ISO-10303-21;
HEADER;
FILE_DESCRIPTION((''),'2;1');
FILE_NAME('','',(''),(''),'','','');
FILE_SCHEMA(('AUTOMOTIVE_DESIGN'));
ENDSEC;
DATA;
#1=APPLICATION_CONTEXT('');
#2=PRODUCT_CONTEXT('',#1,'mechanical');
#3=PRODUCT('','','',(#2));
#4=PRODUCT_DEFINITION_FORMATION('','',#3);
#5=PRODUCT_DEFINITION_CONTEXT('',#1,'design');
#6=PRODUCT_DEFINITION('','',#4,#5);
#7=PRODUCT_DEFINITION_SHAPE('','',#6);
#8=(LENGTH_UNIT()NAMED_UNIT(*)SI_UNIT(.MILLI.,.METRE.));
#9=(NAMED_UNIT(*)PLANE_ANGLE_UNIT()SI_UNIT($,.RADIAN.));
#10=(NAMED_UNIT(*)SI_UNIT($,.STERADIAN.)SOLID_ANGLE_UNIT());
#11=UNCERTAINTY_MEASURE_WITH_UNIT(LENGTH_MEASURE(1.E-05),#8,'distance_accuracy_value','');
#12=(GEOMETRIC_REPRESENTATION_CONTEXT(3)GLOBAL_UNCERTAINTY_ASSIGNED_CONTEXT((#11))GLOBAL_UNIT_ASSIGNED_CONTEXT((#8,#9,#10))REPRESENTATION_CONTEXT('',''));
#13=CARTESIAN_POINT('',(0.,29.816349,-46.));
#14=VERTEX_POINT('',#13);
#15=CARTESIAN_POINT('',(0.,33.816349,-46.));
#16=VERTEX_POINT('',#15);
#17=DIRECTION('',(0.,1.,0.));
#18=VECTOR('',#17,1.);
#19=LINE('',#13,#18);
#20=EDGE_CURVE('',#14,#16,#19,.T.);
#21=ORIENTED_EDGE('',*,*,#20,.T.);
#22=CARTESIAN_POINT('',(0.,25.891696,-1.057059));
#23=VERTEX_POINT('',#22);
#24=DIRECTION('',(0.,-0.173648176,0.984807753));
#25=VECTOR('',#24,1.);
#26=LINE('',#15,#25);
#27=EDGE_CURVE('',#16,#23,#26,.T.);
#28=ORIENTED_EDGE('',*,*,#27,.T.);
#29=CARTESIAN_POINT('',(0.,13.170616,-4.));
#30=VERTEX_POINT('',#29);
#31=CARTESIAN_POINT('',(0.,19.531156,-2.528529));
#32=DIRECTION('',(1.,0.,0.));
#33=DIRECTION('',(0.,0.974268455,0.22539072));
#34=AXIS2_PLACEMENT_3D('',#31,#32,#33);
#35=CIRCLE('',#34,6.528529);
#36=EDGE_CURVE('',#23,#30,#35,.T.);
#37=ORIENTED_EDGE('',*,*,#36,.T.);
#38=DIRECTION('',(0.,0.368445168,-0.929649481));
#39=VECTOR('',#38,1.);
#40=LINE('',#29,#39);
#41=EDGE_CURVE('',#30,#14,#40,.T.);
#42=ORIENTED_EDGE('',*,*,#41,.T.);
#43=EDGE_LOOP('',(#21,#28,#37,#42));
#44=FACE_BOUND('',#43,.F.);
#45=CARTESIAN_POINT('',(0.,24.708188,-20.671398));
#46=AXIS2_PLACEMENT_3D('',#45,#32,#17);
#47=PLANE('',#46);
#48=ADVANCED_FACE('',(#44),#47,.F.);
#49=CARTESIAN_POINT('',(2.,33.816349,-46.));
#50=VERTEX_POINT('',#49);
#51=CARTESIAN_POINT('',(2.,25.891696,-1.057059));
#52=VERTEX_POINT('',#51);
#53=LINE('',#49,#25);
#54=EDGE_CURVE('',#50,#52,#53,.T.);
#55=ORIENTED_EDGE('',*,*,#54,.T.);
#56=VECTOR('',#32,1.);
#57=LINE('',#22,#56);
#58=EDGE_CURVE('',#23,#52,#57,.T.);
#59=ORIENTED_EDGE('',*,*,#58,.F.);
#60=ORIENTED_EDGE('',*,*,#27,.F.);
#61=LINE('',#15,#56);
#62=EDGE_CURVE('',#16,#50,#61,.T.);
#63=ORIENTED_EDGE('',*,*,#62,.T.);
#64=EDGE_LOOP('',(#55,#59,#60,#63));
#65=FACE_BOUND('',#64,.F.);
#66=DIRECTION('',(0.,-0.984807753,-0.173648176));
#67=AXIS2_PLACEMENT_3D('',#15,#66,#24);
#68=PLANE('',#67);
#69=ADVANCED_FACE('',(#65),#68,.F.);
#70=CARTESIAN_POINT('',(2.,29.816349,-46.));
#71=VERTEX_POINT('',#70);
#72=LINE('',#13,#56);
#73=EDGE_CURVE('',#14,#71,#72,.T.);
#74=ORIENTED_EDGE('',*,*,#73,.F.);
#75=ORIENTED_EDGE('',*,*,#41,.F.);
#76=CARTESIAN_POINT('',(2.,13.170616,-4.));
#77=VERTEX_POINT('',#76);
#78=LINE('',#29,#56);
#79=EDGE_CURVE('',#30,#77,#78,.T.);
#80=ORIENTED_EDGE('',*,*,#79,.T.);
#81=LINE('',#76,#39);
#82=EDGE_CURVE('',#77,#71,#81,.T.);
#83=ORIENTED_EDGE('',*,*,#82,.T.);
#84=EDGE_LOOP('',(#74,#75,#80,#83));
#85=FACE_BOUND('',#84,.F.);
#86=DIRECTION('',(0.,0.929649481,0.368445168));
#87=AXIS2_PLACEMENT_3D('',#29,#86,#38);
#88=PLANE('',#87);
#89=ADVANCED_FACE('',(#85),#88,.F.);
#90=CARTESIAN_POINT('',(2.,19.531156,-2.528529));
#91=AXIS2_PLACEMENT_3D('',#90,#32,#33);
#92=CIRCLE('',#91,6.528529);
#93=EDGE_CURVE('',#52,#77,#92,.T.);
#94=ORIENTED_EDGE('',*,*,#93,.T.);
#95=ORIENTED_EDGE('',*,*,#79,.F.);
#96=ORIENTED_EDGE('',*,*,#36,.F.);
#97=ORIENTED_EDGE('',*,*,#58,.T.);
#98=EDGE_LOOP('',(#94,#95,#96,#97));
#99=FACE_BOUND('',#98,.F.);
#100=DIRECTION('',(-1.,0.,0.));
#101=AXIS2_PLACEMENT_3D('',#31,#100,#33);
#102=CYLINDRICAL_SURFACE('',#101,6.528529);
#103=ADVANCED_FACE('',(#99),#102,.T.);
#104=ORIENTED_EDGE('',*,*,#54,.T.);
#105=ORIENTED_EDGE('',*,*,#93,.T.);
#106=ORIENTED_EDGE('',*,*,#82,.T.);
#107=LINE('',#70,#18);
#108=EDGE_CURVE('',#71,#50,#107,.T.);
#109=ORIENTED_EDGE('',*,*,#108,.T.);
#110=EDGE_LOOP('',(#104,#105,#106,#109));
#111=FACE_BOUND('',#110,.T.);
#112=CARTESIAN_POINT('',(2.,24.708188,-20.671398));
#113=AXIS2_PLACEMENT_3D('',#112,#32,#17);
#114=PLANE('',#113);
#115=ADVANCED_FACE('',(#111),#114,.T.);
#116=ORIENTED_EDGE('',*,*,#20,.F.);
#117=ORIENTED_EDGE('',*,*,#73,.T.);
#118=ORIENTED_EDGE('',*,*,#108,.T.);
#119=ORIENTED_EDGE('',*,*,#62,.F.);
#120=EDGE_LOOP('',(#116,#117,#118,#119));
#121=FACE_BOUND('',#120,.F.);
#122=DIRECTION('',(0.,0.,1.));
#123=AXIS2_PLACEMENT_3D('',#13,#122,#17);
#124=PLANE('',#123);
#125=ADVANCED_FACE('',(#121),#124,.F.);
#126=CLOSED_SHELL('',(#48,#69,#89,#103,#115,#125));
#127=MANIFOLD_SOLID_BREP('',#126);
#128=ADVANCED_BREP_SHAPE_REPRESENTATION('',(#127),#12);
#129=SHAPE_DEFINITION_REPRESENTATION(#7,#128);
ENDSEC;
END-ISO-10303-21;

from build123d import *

# Parameters (mm, degrees)
F2_DEPTH = 2


with BuildPart() as f2:
    # F1 (on Right) → F2 (new body)
    with BuildSketch(Plane.YZ):
        with BuildLine():
            Line((33.816349, -46), (25.891696, -1.057059))
            ThreePointArc((25.891696, -1.057059), (18.059685, 3.832011), (13.170616, -4))
            Line((13.170616, -4), (29.816349, -46))
            Line((29.816349, -46), (33.816349, -46))
        make_face()
    extrude(amount=F2_DEPTH)


solid = f2.part
